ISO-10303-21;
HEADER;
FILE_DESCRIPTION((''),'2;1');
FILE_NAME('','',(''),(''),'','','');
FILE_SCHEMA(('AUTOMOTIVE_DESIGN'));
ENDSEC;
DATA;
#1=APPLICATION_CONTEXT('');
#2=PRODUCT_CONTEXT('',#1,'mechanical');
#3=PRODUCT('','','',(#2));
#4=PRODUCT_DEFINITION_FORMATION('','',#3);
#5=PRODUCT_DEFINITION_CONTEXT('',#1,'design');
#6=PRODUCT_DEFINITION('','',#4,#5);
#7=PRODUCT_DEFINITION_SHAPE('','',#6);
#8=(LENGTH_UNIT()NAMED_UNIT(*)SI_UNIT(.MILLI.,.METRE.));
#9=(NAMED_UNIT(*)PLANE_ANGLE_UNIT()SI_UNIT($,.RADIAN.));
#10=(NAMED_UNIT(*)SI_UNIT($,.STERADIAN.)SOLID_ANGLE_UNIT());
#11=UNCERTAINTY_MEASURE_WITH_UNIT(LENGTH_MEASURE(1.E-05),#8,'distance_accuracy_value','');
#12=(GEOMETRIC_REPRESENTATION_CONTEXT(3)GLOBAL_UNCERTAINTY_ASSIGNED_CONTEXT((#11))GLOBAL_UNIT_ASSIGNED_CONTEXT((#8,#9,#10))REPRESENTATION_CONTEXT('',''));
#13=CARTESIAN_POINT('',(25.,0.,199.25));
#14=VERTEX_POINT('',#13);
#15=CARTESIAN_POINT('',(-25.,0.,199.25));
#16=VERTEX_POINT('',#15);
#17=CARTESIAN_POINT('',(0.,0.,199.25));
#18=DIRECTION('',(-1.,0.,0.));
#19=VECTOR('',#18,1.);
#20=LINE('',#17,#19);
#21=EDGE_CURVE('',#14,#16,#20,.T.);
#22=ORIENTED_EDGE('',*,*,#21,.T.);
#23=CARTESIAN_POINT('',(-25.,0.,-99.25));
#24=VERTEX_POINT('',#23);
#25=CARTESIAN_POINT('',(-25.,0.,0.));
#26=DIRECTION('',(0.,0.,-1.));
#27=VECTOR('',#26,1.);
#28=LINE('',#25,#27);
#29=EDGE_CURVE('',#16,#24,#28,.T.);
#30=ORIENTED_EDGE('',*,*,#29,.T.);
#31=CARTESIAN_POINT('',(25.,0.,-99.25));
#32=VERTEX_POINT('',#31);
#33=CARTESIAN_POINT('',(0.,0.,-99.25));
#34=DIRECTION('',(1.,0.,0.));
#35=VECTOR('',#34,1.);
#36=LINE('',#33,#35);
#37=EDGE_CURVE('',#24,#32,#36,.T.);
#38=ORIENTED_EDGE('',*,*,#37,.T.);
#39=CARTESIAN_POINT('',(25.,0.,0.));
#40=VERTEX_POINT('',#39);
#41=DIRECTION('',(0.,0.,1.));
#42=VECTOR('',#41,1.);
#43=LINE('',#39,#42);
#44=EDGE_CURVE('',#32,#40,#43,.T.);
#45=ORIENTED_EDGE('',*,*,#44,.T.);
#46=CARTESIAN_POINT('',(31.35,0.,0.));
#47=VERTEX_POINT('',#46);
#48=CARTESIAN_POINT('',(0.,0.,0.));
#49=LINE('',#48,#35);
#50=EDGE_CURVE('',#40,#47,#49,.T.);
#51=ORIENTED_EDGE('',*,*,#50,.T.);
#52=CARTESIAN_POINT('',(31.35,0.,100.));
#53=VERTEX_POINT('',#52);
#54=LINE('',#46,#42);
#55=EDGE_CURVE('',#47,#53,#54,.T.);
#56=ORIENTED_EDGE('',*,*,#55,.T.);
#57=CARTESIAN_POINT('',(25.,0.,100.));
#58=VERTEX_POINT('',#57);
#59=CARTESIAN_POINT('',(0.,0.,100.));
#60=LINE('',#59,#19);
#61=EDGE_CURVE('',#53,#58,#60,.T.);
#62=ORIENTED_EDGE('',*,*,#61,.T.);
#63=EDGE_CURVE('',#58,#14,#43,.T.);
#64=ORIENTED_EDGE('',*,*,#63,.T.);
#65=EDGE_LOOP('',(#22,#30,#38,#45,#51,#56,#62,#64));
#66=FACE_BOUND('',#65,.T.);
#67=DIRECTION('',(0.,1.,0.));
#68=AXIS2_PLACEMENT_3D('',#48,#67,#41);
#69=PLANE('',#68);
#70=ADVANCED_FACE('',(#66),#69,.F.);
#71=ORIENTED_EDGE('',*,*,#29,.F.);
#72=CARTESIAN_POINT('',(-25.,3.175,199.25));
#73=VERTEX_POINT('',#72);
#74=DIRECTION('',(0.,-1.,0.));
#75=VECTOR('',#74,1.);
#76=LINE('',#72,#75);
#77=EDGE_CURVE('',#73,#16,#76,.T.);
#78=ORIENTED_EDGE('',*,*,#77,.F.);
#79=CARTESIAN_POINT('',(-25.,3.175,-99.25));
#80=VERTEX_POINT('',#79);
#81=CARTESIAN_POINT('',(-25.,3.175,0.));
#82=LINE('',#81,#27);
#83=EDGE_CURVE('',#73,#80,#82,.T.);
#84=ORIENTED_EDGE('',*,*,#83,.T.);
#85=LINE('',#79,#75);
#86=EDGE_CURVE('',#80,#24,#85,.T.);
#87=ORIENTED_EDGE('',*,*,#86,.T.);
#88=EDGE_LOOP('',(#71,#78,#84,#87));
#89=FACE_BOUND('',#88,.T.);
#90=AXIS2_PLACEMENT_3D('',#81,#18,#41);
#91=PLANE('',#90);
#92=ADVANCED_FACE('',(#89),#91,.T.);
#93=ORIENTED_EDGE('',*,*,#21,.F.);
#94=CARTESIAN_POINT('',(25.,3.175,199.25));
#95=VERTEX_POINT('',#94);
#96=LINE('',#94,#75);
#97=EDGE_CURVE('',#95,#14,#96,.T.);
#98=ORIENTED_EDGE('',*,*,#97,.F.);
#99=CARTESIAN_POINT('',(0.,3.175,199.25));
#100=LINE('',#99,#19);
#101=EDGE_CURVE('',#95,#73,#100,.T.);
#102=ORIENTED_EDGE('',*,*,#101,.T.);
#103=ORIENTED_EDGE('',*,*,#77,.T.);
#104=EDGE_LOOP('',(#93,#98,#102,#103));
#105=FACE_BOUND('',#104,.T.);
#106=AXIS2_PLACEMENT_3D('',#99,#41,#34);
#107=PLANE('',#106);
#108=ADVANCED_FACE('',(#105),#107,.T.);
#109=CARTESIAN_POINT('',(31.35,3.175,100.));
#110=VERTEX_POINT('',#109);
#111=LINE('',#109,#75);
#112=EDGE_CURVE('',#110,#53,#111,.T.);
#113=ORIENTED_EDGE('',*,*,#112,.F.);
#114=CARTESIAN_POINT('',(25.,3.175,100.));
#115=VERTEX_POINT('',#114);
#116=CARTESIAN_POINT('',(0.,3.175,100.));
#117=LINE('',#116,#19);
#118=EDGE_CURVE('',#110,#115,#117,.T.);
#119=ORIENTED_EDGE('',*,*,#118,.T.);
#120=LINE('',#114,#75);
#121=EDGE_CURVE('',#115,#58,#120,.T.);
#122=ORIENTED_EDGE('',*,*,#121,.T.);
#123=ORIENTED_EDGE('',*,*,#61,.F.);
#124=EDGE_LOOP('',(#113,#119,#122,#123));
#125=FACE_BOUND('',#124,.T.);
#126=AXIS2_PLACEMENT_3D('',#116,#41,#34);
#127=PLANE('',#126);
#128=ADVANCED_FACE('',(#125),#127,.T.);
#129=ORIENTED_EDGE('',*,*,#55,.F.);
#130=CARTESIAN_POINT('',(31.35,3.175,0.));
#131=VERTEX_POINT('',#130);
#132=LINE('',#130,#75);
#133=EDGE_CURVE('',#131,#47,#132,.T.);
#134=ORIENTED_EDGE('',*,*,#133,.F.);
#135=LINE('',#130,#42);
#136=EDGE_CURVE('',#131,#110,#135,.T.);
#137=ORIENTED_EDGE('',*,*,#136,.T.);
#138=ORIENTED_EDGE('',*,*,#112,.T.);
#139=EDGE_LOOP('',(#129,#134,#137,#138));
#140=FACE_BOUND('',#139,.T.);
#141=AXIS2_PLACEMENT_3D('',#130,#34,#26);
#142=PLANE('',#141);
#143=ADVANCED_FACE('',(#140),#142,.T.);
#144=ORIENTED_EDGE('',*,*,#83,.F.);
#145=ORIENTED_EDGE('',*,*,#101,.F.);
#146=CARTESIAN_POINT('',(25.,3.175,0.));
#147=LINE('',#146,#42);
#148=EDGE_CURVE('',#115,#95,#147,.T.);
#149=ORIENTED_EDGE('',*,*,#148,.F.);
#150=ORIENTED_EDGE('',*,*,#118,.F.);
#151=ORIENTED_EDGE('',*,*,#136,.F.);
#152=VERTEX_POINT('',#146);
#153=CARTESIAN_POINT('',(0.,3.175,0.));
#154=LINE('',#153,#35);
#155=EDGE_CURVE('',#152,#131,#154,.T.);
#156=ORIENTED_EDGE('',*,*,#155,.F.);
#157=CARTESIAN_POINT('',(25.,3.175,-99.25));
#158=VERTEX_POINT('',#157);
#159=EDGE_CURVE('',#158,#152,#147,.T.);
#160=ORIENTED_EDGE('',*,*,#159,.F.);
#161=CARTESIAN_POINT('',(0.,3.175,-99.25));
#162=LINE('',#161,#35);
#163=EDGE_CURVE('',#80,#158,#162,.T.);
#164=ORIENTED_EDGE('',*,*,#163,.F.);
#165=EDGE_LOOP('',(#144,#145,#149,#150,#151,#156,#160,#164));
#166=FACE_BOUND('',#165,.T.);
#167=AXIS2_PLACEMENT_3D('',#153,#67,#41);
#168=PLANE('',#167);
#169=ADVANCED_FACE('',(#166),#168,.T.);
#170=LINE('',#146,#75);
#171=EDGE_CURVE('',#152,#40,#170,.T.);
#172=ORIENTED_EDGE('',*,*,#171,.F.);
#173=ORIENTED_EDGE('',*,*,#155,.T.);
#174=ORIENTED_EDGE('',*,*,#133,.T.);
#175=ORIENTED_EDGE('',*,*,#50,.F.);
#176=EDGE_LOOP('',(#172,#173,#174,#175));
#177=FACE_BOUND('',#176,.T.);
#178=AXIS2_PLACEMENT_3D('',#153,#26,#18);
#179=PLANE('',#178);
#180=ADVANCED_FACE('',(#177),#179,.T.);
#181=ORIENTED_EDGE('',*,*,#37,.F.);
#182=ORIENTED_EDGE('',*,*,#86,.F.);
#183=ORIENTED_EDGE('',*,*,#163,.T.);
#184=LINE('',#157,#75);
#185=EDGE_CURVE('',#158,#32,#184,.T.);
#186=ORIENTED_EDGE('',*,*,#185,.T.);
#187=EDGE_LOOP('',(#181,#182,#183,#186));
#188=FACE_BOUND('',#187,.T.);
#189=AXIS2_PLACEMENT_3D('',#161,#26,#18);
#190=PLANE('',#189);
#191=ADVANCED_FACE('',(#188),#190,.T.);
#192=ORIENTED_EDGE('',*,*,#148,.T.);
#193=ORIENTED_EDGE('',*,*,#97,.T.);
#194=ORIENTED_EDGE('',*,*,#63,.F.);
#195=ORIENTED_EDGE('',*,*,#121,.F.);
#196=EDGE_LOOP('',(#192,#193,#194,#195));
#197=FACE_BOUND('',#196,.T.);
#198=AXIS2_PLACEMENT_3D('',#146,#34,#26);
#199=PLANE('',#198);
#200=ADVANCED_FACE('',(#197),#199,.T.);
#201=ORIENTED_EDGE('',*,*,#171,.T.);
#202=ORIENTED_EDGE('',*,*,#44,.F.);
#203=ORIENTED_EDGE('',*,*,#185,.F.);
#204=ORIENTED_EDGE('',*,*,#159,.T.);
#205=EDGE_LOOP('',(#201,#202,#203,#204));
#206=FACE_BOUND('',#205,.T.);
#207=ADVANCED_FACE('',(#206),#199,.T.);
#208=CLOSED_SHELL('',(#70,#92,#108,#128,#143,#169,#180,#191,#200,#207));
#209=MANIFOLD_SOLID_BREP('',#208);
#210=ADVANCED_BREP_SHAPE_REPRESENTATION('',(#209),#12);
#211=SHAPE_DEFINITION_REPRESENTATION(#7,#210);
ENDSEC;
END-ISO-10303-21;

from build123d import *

# Parameters (mm, degrees)
BOSS_EXTRUDE1_DEPTH = 3.175


with BuildPart() as part:
    # Sketch1 → Boss-Extrude1 (new body)
    with BuildSketch(Plane(origin=(0, 0, 0), x_dir=(1, 0, 0), z_dir=(0, 1, 0))):
        Polygon((-25, 0), (-25, 99.25), (25, 99.25), (25, 0), (31.35, 0), (31.35, -100), (25, -100), (25, -199.25), (-25, -199.25), (-25, -100), align=None)
    extrude(amount=BOSS_EXTRUDE1_DEPTH)


solid = part.part
